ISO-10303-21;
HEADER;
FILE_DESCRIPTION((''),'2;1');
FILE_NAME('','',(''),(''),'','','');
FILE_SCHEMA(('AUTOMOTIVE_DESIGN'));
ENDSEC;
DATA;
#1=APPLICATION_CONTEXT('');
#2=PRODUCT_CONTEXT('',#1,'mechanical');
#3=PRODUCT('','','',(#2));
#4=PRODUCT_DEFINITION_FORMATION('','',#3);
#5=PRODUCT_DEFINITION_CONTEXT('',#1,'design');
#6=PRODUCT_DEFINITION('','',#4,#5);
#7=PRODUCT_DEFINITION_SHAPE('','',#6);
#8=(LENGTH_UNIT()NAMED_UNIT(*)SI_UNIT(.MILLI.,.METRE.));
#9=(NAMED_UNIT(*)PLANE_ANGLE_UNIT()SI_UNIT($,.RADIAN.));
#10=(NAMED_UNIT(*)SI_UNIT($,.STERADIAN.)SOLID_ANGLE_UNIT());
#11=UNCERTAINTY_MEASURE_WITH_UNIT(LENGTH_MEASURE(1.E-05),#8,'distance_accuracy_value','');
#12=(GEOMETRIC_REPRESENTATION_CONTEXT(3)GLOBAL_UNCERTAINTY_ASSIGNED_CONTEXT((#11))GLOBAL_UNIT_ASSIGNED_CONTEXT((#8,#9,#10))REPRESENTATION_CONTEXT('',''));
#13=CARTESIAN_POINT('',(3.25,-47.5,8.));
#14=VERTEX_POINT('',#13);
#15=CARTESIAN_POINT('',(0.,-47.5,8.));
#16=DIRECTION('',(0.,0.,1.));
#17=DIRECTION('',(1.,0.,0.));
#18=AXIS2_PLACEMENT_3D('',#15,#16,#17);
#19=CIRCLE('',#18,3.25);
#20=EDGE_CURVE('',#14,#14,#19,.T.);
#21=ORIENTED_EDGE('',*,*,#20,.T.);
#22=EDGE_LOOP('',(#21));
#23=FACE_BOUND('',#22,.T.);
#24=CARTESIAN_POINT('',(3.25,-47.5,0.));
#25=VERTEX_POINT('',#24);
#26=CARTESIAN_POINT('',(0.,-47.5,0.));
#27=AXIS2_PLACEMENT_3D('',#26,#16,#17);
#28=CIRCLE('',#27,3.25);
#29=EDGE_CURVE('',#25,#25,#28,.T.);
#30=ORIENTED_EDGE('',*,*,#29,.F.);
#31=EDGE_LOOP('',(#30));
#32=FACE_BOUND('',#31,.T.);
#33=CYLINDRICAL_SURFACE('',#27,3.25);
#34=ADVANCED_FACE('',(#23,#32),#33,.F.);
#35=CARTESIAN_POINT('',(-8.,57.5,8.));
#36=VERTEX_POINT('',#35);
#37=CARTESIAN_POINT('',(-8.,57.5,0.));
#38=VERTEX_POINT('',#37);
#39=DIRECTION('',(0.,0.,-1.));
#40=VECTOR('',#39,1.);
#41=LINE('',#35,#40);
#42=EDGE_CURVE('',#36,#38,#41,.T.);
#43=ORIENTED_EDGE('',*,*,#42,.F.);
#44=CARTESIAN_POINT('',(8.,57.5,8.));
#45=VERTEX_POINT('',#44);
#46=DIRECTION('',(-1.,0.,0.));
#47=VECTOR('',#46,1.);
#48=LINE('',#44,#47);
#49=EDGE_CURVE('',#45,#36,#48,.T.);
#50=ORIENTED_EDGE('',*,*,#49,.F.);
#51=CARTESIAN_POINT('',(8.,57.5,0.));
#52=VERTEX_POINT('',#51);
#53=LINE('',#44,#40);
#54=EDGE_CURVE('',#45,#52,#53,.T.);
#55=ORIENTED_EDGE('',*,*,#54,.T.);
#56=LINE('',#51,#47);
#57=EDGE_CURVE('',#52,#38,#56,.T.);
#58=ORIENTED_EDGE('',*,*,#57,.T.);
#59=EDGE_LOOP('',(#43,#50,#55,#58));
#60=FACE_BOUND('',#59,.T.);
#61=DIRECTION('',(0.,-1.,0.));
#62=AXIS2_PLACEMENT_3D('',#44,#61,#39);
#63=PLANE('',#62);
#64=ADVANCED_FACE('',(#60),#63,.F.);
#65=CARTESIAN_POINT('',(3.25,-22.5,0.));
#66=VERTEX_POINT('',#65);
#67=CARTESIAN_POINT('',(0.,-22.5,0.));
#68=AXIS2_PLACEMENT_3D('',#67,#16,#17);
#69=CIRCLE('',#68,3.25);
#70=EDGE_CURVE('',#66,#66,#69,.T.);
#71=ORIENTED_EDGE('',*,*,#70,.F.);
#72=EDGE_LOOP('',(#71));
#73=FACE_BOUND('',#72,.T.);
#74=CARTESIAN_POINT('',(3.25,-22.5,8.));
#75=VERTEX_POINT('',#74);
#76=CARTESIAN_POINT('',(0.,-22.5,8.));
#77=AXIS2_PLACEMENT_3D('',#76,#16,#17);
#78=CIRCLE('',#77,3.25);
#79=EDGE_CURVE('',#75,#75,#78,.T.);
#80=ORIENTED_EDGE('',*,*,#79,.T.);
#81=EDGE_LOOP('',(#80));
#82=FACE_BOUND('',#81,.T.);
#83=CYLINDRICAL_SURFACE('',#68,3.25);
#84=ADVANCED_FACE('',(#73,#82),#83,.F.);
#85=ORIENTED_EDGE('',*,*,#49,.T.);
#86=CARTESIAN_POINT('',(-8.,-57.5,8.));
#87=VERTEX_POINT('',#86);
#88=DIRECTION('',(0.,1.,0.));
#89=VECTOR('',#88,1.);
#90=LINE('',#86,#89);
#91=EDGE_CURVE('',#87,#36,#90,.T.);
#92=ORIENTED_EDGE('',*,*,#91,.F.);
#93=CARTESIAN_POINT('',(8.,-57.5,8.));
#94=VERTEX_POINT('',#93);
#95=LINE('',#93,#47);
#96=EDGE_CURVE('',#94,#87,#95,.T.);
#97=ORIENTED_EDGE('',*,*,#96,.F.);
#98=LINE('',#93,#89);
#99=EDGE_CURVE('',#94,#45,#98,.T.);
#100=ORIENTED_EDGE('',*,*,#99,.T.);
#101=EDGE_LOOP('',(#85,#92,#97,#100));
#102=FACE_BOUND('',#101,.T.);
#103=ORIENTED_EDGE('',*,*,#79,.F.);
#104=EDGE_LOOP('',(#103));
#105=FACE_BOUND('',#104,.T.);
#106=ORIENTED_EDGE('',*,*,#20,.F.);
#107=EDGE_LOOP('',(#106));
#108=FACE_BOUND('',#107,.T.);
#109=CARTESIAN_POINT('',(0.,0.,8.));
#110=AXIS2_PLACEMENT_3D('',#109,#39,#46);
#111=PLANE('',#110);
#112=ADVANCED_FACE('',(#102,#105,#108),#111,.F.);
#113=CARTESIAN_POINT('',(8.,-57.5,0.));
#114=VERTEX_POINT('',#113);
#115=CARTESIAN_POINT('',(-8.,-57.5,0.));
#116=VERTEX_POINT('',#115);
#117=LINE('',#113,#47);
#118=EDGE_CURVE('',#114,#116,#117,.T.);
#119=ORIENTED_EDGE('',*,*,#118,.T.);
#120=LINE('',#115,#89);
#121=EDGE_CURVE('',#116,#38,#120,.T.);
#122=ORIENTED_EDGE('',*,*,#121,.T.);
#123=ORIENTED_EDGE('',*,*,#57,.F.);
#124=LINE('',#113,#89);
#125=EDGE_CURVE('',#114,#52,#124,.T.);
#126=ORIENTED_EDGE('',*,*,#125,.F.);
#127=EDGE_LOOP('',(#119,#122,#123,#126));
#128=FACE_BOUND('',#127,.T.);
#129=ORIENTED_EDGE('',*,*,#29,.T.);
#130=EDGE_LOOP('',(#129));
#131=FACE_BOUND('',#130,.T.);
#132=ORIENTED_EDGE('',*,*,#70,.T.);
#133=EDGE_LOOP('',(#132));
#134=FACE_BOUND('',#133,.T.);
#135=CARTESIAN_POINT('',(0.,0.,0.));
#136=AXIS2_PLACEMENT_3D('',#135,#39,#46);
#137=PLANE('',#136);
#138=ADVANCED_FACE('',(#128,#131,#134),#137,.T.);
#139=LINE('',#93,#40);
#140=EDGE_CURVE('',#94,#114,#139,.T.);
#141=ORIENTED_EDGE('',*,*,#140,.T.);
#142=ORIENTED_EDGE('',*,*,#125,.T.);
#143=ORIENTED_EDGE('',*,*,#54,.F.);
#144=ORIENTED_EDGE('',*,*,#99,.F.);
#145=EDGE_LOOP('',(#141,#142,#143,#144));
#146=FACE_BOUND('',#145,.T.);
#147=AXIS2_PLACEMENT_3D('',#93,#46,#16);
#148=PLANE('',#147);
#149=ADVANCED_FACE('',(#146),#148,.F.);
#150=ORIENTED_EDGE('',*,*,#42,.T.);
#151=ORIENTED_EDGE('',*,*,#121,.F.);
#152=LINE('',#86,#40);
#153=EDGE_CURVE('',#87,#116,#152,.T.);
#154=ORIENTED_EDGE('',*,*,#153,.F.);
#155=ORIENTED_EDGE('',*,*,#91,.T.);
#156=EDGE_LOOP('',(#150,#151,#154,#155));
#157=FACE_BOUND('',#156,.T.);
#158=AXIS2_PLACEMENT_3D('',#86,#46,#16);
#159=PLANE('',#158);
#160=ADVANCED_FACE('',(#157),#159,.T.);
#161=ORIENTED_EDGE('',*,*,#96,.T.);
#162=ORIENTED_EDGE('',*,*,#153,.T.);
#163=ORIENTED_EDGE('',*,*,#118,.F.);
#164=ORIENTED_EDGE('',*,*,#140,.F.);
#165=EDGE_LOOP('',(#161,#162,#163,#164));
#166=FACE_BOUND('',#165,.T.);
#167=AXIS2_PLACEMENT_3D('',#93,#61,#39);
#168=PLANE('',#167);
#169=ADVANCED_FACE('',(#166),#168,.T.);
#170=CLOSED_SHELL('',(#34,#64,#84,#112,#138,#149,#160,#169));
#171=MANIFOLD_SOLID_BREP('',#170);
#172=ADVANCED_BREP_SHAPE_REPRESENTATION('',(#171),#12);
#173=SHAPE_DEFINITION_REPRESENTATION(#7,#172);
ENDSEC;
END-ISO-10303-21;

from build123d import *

# Parameters (mm, degrees)
SKETCH1_W           = 16
SKETCH1_H           = 115
BOSS_EXTRUDE1_DEPTH = 8
SKETCH2_R           = 3.25
CUT_EXTRUDE1_DEPTH  = 59.60247435


with BuildPart() as part:
    # Sketch1 → Boss-Extrude1 (new body)
    with BuildSketch(Plane.XY):
        Rectangle(SKETCH1_W, SKETCH1_H)
    extrude(amount=BOSS_EXTRUDE1_DEPTH)

    # Sketch2 → Cut-Extrude1 (cut, through all)
    with BuildSketch(Plane.XY.offset(8)):
        with Locations((0, -22.5)):
            Circle(SKETCH2_R)
        with Locations((0, -47.5)):
            Circle(SKETCH2_R)
    extrude(amount=-CUT_EXTRUDE1_DEPTH, mode=Mode.SUBTRACT)


solid = part.part
